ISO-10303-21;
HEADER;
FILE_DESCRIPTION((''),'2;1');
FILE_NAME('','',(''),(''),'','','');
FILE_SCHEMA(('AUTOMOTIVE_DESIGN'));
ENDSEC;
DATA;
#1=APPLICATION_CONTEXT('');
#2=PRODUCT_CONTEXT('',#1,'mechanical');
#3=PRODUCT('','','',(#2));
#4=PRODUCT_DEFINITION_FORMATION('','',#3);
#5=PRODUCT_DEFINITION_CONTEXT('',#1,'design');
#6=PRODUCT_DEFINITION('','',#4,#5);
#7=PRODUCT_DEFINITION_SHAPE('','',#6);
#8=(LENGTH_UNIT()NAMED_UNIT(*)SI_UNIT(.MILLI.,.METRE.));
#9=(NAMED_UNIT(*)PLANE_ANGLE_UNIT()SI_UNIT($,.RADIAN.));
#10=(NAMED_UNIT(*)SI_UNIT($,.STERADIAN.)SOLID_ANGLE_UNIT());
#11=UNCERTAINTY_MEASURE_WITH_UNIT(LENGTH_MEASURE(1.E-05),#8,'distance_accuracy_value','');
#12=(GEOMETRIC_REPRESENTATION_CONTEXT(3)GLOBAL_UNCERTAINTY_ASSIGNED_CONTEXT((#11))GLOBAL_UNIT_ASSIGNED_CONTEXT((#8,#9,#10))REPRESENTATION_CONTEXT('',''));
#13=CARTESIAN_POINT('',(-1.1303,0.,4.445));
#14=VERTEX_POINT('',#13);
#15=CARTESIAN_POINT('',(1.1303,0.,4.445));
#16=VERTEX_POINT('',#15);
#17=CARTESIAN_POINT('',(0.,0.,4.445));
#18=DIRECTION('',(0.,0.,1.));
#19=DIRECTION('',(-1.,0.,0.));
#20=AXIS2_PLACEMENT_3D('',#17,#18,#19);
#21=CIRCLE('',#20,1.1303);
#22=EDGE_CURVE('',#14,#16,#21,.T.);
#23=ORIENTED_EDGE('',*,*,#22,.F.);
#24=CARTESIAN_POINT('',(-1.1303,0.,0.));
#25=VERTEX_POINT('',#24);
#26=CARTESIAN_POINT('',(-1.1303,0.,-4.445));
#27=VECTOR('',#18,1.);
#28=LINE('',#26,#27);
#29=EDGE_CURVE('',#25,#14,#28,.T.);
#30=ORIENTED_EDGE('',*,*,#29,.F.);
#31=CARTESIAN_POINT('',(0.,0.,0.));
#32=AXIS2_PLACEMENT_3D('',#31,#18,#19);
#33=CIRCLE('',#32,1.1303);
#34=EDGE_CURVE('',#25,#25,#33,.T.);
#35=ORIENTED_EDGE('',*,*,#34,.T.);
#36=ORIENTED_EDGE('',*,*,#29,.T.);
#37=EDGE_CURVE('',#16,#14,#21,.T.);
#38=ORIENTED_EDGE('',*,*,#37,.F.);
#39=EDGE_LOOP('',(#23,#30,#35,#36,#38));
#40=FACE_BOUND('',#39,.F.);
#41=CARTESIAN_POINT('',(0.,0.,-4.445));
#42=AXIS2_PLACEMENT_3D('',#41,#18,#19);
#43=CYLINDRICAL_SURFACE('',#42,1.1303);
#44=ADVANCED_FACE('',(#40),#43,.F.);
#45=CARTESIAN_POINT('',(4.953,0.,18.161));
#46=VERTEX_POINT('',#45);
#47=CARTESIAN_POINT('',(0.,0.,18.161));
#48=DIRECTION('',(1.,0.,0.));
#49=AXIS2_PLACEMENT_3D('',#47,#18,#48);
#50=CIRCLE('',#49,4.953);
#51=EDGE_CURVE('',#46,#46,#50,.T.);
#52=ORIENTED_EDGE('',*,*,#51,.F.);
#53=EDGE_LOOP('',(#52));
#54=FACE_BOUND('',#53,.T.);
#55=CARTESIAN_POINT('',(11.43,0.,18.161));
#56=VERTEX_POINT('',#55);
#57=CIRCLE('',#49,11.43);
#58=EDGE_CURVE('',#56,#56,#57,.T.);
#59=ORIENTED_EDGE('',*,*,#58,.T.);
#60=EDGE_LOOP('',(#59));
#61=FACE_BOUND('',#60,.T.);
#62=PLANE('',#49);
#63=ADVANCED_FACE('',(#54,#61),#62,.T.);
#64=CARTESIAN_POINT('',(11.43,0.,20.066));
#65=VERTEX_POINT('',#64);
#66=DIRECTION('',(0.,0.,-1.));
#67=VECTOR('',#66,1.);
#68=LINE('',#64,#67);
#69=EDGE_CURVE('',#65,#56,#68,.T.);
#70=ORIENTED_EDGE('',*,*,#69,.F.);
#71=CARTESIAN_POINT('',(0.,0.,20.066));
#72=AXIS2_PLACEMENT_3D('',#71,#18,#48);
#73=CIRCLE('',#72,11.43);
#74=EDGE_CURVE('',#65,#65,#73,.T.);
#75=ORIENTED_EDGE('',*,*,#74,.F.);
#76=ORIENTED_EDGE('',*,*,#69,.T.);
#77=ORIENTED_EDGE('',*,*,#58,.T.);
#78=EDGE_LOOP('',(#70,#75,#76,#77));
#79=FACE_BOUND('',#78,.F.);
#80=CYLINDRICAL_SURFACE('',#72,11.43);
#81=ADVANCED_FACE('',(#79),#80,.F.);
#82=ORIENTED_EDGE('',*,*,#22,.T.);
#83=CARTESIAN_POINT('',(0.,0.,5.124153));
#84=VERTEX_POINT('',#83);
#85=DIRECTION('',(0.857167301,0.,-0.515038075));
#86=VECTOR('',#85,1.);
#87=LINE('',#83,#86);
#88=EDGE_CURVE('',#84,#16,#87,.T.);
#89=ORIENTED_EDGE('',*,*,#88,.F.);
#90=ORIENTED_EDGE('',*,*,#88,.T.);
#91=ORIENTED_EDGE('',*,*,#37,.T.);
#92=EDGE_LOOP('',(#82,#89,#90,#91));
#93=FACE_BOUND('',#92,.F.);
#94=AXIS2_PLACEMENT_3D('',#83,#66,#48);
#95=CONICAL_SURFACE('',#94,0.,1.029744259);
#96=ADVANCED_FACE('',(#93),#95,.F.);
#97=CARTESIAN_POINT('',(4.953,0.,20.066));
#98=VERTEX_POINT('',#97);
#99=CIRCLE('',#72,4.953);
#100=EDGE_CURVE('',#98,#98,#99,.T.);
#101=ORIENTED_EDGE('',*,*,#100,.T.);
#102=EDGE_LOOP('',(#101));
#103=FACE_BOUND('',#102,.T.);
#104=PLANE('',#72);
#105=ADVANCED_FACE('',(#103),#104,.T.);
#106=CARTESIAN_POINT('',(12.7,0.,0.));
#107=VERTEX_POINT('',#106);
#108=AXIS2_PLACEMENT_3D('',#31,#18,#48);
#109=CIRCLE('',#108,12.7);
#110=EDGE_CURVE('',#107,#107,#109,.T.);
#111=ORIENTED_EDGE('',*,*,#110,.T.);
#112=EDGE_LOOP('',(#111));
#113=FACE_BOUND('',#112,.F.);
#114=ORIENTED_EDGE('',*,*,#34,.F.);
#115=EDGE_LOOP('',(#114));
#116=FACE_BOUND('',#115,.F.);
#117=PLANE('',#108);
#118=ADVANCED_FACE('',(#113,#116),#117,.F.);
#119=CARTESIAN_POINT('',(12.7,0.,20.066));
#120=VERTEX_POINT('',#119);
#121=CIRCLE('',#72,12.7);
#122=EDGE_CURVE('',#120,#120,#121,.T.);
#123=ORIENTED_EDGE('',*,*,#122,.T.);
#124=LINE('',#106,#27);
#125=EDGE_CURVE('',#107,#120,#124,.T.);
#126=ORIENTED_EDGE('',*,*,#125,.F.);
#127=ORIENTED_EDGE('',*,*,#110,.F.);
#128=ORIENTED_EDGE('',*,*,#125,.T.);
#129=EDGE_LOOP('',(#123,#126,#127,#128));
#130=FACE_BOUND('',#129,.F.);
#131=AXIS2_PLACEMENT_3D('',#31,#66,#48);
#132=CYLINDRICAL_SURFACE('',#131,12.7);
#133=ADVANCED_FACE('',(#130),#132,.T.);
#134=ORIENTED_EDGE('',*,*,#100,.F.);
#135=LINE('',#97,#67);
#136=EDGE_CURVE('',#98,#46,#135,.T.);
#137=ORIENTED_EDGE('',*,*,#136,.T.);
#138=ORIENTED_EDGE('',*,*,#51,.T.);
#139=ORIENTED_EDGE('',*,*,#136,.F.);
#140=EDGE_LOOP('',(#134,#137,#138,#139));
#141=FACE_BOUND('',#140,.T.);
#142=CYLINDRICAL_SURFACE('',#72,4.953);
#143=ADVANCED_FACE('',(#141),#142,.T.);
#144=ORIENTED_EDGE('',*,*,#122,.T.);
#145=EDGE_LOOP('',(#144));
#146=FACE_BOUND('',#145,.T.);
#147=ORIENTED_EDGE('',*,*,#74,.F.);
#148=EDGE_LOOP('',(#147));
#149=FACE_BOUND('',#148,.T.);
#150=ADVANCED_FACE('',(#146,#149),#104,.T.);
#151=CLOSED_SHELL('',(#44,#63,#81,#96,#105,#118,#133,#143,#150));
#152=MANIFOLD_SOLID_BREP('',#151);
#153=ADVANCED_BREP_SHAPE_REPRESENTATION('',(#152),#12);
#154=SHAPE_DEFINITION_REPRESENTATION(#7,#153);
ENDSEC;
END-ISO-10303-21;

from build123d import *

# Parameters (mm, degrees)
F0_R     = 12.7
F1_DEPTH = 20.066
F2_R     = 11.43
F2_R_2   = 4.953
F3_DEPTH = 1.905
F5_D     = 2.2606
F5_DEPTH = 4.445
F5_TIP   = 0.6791527577


with BuildPart() as f1:
    # F0 (on Top) → F1 (new body)
    with BuildSketch(Plane.XY):
        Circle(F0_R)
    extrude(amount=F1_DEPTH)

    # F2 (on face) → F3 (cut)
    with BuildSketch(Plane.XY.offset(20.066)):
        Circle(F2_R)
        Circle(F2_R_2, mode=Mode.SUBTRACT)
    extrude(amount=-F3_DEPTH, mode=Mode.SUBTRACT)

    # F5
    with Locations(Plane(origin=(0, 0, 0), x_dir=(1, 0, 0), z_dir=(0, 0, -1))):
        with Locations((0, 0)):
            Hole(F5_D / 2, depth=F5_DEPTH)
            with Locations((0, 0, -(F5_DEPTH + F5_TIP / 2))):  # 118° drill point
                Cone(0, F5_D / 2, F5_TIP, mode=Mode.SUBTRACT)


solid = f1.part
